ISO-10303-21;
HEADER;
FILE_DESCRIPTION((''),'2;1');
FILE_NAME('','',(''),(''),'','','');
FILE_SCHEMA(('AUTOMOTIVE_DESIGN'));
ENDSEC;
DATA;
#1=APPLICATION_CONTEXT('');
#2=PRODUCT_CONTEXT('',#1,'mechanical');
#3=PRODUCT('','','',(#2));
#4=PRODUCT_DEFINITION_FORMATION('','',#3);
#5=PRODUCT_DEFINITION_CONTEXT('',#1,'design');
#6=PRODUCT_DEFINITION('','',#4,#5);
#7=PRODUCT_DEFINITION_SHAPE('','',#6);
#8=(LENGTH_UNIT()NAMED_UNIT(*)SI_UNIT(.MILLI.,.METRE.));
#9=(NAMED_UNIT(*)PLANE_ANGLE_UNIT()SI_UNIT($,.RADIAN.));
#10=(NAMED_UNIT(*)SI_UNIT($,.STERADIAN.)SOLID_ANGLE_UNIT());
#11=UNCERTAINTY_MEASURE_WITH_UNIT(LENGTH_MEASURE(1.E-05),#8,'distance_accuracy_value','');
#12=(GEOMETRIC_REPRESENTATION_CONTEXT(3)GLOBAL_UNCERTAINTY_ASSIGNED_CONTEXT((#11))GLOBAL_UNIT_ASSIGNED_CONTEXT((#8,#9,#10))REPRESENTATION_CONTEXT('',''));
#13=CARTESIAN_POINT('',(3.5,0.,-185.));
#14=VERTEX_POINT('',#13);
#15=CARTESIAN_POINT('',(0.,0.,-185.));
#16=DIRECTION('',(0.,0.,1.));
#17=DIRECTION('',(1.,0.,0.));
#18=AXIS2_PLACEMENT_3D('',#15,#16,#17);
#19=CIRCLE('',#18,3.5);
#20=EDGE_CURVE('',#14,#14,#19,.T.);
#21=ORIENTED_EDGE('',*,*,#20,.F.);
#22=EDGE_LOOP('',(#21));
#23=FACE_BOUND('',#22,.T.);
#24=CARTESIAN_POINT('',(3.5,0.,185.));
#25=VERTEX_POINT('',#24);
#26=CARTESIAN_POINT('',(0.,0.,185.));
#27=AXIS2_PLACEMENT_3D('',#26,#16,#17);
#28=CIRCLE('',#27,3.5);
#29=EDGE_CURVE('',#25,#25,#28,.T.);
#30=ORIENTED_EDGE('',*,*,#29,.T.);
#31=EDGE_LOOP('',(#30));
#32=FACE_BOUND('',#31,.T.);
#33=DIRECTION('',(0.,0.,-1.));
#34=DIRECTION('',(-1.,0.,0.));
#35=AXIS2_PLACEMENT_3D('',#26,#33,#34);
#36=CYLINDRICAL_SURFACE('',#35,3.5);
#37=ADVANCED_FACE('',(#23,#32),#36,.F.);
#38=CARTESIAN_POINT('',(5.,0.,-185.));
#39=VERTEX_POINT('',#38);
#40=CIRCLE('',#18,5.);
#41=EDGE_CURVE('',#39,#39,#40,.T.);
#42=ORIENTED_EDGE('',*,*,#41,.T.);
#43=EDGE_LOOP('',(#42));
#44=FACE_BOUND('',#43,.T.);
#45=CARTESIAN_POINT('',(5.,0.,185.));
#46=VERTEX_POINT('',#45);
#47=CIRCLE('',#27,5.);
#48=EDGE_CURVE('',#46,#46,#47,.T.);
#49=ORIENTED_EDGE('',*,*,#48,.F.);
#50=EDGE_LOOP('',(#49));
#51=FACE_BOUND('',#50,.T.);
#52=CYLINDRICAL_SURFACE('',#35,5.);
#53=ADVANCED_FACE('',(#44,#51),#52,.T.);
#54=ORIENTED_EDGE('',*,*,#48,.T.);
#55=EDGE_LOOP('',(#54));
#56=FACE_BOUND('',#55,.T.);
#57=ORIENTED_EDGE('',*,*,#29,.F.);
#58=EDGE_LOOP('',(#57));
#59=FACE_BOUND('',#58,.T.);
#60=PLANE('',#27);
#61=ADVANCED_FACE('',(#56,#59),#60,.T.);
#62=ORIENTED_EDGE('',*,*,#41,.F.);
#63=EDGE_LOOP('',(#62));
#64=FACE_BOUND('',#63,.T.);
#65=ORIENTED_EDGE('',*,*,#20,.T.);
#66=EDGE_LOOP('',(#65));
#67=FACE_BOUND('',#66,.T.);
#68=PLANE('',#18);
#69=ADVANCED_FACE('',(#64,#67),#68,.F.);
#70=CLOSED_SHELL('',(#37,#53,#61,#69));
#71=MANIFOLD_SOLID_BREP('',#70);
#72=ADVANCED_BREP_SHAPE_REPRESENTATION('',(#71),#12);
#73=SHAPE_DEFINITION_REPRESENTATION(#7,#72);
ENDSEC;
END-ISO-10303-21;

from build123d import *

# Parameters (mm, degrees)
SKETCH1_R           = 5
SKETCH1_R_2         = 3.5
EXTRUDE_THIN1_DEPTH = 185


with BuildPart() as part:
    # Sketch1 → Extrude-Thin1 (new, symmetric)
    with BuildSketch(Plane.XY):
        Circle(SKETCH1_R)
        Circle(SKETCH1_R_2, mode=Mode.SUBTRACT)
    extrude(amount=EXTRUDE_THIN1_DEPTH, both=True)


solid = part.part
